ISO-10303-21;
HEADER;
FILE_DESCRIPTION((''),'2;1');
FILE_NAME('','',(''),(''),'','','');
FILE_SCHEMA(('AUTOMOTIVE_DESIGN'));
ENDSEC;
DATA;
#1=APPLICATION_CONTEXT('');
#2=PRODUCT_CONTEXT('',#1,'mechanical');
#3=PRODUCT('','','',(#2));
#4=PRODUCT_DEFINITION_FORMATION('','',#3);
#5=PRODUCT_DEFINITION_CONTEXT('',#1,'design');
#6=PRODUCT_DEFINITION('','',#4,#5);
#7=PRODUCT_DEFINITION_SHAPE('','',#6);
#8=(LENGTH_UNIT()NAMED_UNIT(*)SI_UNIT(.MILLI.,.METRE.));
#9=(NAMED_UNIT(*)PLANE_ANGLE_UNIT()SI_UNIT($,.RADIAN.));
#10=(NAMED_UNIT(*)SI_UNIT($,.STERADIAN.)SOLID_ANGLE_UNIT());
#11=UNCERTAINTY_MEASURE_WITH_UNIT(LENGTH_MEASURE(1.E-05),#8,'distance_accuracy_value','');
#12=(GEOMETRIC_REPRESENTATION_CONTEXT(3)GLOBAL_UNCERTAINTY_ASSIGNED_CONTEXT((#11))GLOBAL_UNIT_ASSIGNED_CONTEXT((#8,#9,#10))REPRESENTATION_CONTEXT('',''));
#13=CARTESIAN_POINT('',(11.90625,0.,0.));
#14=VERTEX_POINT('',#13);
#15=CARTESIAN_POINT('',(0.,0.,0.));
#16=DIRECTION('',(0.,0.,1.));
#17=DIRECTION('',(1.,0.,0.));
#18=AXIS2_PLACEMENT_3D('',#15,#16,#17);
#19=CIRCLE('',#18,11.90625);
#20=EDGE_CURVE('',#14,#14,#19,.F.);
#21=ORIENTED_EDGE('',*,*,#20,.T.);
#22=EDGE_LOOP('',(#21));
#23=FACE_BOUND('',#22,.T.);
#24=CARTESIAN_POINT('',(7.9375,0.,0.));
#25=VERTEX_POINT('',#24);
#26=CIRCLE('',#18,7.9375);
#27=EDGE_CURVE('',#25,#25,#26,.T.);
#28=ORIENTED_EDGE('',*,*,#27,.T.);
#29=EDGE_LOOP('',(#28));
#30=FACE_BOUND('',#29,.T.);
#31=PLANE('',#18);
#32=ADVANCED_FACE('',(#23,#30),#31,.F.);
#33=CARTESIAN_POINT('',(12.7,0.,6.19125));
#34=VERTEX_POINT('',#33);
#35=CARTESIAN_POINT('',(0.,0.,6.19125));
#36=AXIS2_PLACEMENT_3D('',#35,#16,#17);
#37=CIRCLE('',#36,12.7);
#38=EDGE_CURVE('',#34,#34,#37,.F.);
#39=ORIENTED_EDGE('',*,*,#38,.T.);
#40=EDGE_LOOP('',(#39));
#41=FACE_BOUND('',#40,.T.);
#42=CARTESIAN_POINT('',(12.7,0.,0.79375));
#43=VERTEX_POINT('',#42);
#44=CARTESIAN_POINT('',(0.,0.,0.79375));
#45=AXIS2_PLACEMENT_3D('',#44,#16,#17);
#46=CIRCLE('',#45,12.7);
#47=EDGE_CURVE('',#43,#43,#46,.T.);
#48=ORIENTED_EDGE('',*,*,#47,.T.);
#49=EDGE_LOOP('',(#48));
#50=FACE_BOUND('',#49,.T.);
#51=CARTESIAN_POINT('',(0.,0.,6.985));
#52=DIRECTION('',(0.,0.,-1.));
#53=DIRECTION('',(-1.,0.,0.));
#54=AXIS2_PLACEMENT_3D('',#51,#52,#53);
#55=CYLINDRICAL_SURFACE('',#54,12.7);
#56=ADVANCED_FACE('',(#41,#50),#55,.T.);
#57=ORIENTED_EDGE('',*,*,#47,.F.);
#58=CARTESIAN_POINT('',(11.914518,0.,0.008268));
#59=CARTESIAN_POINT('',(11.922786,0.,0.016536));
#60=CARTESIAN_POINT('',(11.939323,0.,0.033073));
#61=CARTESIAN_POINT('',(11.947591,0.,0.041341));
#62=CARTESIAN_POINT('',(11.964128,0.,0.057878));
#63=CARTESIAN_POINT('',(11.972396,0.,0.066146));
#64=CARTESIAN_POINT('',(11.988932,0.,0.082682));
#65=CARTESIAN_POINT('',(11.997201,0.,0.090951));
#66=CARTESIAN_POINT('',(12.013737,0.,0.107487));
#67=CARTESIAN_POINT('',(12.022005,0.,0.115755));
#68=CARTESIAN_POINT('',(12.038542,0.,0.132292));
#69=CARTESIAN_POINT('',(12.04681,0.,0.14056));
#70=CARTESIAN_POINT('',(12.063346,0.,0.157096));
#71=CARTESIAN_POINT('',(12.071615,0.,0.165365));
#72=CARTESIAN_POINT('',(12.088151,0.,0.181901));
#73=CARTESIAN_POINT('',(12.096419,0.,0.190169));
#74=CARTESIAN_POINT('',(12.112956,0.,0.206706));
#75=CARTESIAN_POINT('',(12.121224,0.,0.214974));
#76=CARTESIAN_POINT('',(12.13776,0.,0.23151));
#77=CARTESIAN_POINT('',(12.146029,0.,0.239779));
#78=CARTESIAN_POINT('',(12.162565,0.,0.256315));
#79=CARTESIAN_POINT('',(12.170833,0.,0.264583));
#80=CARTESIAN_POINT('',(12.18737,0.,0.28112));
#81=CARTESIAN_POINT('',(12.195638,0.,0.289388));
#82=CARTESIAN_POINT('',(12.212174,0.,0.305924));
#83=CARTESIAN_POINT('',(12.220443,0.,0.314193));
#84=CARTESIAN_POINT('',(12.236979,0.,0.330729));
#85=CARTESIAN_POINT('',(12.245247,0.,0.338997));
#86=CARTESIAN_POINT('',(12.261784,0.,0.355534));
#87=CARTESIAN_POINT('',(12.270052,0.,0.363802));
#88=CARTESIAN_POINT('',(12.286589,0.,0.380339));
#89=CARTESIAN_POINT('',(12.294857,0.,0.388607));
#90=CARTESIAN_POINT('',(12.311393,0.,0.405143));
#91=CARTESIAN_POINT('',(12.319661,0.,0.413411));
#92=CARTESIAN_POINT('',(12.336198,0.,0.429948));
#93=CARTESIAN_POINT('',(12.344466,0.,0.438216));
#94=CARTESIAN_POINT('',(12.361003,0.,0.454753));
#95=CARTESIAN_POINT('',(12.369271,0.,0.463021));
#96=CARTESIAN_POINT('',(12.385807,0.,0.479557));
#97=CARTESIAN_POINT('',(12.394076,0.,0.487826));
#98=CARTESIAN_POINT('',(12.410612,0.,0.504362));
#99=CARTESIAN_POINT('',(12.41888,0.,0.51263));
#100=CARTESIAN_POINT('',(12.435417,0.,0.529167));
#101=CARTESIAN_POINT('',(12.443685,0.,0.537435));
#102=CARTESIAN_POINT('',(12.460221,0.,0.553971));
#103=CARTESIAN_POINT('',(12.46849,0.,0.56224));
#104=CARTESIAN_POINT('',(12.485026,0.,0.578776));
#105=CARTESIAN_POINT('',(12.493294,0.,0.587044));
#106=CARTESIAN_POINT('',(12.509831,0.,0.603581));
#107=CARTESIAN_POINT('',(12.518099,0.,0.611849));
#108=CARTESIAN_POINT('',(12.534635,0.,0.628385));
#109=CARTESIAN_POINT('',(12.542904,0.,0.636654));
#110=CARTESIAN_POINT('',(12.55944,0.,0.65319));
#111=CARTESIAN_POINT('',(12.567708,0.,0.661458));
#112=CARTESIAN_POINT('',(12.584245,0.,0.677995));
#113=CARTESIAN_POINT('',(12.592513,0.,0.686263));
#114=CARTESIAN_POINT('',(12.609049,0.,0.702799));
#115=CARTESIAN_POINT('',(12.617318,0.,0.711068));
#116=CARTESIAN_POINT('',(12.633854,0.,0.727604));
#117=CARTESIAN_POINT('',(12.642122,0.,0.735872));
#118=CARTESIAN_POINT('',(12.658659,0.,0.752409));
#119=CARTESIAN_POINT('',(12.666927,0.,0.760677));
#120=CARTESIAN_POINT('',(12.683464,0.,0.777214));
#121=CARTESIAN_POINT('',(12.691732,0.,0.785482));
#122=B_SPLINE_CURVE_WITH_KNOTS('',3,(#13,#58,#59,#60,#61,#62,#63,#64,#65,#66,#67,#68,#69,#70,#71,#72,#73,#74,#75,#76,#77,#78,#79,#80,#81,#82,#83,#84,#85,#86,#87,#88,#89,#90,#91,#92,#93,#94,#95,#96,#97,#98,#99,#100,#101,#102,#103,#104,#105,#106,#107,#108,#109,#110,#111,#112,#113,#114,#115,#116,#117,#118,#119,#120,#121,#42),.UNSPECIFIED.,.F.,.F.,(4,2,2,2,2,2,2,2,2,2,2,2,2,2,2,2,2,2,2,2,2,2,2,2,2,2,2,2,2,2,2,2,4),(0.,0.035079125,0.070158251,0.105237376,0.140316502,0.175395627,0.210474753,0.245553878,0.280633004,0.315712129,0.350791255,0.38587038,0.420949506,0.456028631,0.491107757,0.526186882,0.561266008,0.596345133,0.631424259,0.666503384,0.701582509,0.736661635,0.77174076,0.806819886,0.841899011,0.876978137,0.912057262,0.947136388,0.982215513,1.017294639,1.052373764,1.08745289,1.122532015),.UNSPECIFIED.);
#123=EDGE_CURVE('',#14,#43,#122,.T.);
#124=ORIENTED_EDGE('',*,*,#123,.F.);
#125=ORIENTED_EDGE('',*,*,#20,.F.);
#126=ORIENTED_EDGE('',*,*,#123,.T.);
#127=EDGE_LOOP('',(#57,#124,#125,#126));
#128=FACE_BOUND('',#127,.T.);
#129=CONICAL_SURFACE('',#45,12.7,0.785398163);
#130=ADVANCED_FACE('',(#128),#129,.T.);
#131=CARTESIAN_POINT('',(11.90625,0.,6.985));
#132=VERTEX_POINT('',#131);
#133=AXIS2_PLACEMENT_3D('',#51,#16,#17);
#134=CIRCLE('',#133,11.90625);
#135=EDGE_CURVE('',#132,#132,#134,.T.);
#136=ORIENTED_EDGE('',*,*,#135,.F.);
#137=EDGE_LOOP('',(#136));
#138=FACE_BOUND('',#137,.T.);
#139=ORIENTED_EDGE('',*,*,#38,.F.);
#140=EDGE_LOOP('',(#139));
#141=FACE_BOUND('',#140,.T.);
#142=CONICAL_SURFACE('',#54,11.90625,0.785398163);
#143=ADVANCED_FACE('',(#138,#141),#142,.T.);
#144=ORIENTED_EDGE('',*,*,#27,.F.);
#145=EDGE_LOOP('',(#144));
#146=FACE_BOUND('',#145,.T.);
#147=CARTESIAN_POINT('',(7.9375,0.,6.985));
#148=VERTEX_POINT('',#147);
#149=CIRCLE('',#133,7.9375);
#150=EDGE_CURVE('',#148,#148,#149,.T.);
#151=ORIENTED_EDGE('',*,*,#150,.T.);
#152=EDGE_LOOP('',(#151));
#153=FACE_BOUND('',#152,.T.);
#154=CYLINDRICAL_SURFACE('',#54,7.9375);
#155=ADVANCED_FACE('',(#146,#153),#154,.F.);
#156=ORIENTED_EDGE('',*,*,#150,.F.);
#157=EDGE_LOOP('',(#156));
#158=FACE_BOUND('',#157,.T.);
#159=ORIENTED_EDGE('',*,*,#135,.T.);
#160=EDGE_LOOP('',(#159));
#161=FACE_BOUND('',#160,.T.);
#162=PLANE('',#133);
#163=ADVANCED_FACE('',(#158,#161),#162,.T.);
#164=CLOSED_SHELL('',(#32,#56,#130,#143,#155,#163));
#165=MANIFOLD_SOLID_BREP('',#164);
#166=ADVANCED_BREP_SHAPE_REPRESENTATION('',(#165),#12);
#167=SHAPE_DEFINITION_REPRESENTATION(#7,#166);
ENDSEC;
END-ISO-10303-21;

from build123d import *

# Parameters (mm, degrees)
SKETCH1_R           = 12.7
SKETCH1_R_2         = 7.9375
BOSS_EXTRUDE1_DEPTH = 6.985
CHAMFER1_SIZE       = 0.79375


with BuildPart() as part:
    # Sketch1 → Boss-Extrude1 (new body)
    with BuildSketch(Plane.XY):
        Circle(SKETCH1_R)
        Circle(SKETCH1_R_2, mode=Mode.SUBTRACT)
    extrude(amount=BOSS_EXTRUDE1_DEPTH)

    # Chamfer1
    chamfer1_edges = [part.edges().sort_by_distance(p)[0] for p in [
        (-12.7, 0, 0),
        (-12.7, 0, 6.985),
    ]]
    chamfer(chamfer1_edges, length=CHAMFER1_SIZE)


solid = part.part
